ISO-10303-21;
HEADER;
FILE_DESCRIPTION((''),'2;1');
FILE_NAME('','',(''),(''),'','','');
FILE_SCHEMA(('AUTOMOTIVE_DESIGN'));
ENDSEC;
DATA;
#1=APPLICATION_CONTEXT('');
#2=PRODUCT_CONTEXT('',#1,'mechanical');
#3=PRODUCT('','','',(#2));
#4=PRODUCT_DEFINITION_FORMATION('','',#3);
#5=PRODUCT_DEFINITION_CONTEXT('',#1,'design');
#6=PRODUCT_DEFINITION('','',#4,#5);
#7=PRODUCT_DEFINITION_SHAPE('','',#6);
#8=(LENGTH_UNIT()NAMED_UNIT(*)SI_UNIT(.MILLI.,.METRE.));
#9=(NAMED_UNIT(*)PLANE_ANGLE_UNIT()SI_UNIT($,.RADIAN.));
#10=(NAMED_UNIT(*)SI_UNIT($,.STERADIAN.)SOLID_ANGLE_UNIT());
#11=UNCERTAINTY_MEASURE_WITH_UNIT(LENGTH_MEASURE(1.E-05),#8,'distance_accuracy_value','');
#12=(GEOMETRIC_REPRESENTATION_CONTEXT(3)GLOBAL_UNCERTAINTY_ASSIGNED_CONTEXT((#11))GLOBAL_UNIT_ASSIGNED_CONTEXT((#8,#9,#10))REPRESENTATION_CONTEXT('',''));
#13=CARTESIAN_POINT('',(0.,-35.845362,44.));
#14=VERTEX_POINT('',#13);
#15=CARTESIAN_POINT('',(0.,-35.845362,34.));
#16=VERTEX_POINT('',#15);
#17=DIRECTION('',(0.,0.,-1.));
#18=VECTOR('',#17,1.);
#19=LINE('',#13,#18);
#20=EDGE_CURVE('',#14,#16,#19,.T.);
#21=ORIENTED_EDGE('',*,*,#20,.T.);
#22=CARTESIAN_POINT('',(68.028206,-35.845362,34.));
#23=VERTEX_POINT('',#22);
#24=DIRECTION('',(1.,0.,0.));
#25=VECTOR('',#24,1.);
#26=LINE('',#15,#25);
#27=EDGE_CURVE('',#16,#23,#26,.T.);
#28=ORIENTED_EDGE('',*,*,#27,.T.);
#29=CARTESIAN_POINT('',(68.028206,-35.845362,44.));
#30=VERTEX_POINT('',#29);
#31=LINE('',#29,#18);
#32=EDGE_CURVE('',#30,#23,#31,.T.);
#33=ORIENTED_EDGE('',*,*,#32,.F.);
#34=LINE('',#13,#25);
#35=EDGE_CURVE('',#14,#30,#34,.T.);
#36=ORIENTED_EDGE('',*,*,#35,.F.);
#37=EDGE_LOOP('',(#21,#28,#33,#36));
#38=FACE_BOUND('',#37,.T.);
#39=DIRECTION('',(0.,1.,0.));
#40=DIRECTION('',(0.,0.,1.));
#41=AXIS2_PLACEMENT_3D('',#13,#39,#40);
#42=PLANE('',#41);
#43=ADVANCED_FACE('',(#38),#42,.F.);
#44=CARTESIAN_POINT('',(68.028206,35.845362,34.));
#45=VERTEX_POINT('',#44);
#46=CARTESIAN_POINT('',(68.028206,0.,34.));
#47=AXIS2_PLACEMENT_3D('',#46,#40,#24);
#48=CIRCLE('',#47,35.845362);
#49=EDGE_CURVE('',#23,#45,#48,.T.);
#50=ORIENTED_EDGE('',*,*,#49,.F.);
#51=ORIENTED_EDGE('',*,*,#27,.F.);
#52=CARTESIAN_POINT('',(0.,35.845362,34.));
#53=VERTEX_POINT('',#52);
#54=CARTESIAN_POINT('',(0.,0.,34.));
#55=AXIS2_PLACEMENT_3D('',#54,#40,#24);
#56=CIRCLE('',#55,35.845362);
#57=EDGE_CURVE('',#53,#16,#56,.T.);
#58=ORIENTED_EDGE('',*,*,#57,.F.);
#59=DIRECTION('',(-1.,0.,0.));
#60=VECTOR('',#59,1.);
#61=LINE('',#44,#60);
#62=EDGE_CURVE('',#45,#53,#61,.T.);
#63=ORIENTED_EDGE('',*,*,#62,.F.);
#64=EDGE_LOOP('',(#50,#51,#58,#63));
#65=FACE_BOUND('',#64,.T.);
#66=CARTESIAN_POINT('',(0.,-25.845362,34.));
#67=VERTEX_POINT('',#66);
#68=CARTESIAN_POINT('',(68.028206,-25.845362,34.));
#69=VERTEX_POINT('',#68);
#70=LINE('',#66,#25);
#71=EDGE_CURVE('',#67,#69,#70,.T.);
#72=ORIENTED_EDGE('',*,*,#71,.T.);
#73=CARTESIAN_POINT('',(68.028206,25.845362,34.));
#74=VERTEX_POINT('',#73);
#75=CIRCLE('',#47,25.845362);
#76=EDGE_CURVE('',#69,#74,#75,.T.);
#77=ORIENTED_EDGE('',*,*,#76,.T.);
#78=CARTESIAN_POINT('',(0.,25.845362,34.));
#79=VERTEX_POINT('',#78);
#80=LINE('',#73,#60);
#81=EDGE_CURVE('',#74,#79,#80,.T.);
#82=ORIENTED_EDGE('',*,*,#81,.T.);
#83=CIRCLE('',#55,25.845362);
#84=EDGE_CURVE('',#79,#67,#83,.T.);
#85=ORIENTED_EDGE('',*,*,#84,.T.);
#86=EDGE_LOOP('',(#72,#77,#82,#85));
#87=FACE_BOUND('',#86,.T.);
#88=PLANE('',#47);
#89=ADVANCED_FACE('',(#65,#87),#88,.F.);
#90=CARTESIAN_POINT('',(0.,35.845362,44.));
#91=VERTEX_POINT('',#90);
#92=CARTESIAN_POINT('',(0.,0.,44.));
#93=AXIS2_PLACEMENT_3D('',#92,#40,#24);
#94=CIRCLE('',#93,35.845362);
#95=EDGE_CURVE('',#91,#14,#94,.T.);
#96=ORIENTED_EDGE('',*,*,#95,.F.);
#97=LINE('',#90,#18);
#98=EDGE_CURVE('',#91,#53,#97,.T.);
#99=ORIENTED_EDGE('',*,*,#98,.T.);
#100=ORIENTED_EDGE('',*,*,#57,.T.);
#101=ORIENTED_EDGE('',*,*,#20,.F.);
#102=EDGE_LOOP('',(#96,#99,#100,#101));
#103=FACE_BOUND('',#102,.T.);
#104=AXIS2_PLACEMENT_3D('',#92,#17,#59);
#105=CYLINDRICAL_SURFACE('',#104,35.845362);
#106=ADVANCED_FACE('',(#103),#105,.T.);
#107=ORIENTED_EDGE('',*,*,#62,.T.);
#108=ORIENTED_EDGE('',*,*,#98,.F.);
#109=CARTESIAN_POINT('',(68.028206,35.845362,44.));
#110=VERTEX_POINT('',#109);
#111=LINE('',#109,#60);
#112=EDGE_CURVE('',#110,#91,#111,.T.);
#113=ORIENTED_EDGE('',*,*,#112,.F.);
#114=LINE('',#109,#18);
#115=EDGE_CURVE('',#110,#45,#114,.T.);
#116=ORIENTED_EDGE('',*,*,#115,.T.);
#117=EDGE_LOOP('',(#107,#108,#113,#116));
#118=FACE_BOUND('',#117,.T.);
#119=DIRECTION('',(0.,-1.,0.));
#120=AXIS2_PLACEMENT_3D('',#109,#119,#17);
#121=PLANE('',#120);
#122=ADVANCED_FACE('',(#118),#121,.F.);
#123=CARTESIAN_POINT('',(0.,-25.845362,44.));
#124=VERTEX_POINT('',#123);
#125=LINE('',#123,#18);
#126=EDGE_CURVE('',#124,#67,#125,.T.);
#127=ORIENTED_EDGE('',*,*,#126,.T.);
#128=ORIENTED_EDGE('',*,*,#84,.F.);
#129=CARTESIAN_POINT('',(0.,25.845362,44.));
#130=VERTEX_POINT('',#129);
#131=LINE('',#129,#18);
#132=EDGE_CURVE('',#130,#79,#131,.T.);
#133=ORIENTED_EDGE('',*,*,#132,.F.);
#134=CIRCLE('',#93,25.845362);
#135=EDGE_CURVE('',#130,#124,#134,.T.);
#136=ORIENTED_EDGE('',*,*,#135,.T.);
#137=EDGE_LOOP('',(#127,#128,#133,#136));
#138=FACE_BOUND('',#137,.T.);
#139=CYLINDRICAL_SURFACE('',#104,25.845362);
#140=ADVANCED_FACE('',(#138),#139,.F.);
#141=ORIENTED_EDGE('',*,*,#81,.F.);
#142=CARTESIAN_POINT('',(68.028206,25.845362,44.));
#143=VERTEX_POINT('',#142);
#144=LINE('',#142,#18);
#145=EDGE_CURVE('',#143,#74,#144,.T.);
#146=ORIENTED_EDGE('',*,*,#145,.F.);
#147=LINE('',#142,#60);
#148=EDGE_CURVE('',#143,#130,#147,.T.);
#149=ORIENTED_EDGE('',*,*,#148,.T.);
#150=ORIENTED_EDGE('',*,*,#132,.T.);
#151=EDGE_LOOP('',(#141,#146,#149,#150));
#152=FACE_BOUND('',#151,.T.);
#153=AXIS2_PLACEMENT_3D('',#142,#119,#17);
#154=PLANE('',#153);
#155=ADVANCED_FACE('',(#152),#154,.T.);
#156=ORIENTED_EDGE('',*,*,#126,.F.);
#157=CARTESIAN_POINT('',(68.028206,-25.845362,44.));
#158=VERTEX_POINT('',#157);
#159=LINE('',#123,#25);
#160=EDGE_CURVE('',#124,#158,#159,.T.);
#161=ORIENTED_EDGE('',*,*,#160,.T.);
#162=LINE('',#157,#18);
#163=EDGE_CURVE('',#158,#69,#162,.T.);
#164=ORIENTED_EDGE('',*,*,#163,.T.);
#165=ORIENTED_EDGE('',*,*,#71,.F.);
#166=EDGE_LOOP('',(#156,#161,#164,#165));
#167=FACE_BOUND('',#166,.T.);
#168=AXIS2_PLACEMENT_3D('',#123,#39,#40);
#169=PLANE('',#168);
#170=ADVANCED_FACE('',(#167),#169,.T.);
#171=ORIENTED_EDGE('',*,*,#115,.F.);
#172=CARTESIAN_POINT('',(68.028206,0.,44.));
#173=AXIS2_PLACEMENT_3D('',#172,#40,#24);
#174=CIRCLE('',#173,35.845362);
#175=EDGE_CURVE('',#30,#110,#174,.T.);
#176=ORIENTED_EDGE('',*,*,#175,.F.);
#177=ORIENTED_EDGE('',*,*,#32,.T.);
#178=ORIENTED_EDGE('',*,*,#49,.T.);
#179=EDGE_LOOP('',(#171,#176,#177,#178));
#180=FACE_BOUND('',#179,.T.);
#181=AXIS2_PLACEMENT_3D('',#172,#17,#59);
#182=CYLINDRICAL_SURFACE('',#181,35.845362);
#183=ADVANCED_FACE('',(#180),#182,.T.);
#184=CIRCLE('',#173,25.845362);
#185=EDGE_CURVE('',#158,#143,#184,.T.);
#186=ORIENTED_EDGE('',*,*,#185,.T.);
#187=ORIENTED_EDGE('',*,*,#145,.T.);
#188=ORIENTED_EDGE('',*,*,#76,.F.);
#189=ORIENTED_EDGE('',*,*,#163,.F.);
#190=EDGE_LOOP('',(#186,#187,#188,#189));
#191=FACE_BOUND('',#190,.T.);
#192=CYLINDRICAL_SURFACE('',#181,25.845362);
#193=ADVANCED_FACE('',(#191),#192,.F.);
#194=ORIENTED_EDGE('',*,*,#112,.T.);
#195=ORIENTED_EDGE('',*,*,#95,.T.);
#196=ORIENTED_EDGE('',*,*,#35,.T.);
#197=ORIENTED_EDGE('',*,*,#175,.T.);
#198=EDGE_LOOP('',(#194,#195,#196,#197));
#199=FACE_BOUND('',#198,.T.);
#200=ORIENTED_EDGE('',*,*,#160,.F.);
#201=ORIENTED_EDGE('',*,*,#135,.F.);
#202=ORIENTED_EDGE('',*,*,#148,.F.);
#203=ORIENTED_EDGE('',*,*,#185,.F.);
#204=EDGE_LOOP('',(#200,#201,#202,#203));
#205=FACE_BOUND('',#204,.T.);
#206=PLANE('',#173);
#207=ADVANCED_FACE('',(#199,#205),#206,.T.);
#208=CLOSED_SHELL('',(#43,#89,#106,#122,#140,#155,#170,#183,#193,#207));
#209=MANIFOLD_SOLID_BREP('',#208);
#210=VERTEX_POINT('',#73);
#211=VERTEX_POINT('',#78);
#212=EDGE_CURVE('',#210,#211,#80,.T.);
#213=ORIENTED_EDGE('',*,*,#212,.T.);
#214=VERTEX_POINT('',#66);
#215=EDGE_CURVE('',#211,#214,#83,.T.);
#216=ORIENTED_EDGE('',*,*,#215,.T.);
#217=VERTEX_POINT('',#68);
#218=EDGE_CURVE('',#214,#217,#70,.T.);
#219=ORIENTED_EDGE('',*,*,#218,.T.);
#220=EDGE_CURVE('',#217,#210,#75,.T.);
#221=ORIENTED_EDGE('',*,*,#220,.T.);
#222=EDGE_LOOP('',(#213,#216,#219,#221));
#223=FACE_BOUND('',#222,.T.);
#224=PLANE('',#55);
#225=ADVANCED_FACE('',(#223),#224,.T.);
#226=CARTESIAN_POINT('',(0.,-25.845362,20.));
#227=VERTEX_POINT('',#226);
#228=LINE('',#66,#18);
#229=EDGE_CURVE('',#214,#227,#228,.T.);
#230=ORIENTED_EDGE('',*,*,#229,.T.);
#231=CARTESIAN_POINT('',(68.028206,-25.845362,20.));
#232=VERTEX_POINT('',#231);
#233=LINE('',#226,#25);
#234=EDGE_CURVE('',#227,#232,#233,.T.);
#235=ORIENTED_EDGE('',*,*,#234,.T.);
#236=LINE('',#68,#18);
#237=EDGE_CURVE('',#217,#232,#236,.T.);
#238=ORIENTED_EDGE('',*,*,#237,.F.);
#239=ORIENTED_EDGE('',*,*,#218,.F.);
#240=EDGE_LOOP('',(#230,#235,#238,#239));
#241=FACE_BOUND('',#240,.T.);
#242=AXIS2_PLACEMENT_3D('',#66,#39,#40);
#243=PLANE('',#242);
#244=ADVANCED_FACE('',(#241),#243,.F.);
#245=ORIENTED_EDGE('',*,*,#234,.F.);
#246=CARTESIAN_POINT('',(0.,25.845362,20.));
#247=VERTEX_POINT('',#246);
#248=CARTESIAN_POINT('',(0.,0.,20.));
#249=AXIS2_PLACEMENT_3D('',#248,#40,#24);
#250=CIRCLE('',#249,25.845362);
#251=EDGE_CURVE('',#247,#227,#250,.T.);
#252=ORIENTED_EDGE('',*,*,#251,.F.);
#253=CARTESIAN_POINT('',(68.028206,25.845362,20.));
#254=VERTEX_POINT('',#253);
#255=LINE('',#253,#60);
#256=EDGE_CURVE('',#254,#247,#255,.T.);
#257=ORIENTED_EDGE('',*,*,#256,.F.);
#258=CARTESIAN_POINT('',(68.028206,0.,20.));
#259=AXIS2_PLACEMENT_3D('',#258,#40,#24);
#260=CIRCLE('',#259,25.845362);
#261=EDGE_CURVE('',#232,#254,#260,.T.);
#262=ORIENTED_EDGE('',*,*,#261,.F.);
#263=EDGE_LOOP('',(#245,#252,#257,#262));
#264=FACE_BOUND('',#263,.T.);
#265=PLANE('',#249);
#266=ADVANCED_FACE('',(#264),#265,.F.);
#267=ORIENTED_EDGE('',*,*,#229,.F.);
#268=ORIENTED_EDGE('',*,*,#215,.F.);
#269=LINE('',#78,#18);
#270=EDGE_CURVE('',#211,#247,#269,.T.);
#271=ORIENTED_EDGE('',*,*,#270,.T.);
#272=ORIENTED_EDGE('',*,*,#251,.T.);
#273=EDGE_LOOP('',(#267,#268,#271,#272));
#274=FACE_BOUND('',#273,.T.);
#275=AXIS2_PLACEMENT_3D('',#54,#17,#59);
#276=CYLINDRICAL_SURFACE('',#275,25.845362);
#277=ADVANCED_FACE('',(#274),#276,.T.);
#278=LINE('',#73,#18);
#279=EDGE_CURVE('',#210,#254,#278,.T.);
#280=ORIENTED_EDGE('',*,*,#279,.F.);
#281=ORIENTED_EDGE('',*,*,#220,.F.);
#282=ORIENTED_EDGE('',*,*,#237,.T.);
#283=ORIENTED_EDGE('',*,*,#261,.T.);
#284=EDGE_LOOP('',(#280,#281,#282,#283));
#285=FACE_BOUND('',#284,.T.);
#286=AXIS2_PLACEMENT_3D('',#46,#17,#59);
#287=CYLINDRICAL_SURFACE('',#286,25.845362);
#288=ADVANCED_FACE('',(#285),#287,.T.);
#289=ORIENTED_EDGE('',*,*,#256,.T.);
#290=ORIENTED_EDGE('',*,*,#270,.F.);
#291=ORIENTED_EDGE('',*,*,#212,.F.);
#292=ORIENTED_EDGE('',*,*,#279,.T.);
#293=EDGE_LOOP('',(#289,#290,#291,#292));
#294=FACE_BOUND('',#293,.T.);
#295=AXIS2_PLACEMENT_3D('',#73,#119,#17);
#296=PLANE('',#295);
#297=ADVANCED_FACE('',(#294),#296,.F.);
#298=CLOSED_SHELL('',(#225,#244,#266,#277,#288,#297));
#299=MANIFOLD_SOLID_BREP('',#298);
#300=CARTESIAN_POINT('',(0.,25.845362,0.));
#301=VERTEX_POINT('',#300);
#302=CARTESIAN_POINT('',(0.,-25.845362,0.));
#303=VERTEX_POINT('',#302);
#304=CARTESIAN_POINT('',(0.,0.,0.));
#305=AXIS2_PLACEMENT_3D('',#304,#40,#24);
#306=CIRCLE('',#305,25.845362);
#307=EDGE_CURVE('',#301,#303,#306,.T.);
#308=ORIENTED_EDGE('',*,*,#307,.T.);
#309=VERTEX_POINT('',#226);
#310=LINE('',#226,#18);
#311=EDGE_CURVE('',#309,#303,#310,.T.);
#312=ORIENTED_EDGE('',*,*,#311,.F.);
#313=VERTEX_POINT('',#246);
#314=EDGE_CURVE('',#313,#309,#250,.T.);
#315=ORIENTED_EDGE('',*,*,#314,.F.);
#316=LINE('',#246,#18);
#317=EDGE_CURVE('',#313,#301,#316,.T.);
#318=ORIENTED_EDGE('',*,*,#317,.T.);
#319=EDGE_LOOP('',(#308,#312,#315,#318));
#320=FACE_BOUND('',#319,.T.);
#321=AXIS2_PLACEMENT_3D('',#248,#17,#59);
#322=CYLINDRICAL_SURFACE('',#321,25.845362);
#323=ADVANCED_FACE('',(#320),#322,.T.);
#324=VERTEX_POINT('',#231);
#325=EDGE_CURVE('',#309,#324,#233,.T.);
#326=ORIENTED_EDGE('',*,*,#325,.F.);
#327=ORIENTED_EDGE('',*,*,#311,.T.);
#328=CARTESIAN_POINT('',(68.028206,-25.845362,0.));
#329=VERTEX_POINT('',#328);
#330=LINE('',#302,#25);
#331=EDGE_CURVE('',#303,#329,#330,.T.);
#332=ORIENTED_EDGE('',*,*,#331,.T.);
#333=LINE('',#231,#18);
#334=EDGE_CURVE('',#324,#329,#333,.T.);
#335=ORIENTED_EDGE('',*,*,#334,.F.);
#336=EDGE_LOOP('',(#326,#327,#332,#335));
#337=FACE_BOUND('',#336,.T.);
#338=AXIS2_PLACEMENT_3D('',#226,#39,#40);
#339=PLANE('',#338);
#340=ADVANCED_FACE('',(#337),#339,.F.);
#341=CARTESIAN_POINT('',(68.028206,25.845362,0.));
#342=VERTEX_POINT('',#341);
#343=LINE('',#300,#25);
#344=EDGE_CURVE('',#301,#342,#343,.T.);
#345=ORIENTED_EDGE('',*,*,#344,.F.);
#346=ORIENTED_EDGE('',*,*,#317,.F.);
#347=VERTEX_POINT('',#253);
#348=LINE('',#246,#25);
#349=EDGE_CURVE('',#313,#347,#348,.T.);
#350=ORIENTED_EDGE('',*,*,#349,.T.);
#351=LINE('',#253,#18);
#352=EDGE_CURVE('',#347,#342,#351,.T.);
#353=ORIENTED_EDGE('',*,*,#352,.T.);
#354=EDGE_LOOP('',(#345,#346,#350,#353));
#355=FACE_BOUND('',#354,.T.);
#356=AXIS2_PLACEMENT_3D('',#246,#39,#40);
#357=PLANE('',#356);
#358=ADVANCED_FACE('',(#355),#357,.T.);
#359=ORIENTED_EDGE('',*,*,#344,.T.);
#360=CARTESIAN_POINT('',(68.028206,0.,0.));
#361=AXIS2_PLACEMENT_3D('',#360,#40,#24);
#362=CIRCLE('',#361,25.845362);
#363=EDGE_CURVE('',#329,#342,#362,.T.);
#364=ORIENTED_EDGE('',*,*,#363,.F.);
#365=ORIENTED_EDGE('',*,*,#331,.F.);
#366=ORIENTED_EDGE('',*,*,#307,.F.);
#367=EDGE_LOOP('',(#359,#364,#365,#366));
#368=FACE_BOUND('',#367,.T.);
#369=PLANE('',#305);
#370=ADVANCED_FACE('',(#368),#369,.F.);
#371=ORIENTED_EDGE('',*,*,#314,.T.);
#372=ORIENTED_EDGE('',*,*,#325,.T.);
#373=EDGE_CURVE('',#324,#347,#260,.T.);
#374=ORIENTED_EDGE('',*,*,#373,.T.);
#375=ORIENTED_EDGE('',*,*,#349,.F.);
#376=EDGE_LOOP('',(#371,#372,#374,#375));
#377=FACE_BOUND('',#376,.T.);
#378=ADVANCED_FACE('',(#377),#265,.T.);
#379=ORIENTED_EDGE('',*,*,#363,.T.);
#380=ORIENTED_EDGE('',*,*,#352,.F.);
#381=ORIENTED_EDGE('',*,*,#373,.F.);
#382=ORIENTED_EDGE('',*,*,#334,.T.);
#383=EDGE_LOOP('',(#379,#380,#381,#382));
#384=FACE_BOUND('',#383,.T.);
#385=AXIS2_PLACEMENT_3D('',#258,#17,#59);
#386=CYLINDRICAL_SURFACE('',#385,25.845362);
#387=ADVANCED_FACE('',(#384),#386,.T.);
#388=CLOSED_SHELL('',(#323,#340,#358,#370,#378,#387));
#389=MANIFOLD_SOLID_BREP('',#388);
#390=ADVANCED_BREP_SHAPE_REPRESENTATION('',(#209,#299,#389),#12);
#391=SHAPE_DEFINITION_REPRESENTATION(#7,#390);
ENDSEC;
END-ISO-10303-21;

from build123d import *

# Parameters (mm, degrees)
EXTRUDE_1_DEPTH   = 20
EXTRUDE_2_DEPTH   = 14
EXTRUDE_1_2_DEPTH = 10


with BuildPart() as part:
    # 草图1 → Extrude 1 (new body)
    with BuildSketch(Plane.XY):
        with BuildLine():
            Line((0, 25.845361824), (68.028206251, 25.845361824))
            ThreePointArc((68.028206251, 25.845361824), (93.873568075, 0), (68.028206251, -25.845361824))
            Line((68.028206251, -25.845361824), (0, -25.845361824))
            ThreePointArc((0, -25.845361824), (-25.845361824, 0), (0, 25.845361824))
        make_face()
    extrude(amount=EXTRUDE_1_DEPTH)


with BuildPart() as body_2:
    # 草图6 → 凸台-拉伸2 (new body)
    with BuildSketch(Plane.XY.offset(20)):
        with BuildLine():
            Line((0, -25.845361824), (68.028206251, -25.845361824))
            ThreePointArc((68.028206251, -25.845361824), (93.873568075, 0), (68.028206251, 25.845361824))
            Line((68.028206251, 25.845361824), (0, 25.845361824))
            ThreePointArc((0, 25.845361824), (-25.845361824, 0), (0, -25.845361824))
        make_face()
    extrude(amount=EXTRUDE_2_DEPTH)


with BuildPart() as body_3:
    # 草图7 → Extrude 1 2 (new body)
    with BuildSketch(Plane.XY.offset(34)):
        with BuildLine():
            Line((68.028206251, 35.845361824), (0, 35.845361824))
            ThreePointArc((0, 35.845361824), (-35.845361824, 0), (0, -35.845361824))
            Line((0, -35.845361824), (68.028206251, -35.845361824))
            ThreePointArc((68.028206251, -35.845361824), (103.873568075, 0), (68.028206251, 35.845361824))
        make_face()
        with BuildLine():
            Line((68.028206251, 25.845361824), (0, 25.845361824))
            ThreePointArc((0, 25.845361824), (-25.845361824, 0), (0, -25.845361824))
            Line((0, -25.845361824), (68.028206251, -25.845361824))
            ThreePointArc((68.028206251, -25.845361824), (93.873568075, 0), (68.028206251, 25.845361824))
        make_face(mode=Mode.SUBTRACT)
    extrude(amount=EXTRUDE_1_2_DEPTH)


solid = Compound([part.part, body_2.part, body_3.part])
